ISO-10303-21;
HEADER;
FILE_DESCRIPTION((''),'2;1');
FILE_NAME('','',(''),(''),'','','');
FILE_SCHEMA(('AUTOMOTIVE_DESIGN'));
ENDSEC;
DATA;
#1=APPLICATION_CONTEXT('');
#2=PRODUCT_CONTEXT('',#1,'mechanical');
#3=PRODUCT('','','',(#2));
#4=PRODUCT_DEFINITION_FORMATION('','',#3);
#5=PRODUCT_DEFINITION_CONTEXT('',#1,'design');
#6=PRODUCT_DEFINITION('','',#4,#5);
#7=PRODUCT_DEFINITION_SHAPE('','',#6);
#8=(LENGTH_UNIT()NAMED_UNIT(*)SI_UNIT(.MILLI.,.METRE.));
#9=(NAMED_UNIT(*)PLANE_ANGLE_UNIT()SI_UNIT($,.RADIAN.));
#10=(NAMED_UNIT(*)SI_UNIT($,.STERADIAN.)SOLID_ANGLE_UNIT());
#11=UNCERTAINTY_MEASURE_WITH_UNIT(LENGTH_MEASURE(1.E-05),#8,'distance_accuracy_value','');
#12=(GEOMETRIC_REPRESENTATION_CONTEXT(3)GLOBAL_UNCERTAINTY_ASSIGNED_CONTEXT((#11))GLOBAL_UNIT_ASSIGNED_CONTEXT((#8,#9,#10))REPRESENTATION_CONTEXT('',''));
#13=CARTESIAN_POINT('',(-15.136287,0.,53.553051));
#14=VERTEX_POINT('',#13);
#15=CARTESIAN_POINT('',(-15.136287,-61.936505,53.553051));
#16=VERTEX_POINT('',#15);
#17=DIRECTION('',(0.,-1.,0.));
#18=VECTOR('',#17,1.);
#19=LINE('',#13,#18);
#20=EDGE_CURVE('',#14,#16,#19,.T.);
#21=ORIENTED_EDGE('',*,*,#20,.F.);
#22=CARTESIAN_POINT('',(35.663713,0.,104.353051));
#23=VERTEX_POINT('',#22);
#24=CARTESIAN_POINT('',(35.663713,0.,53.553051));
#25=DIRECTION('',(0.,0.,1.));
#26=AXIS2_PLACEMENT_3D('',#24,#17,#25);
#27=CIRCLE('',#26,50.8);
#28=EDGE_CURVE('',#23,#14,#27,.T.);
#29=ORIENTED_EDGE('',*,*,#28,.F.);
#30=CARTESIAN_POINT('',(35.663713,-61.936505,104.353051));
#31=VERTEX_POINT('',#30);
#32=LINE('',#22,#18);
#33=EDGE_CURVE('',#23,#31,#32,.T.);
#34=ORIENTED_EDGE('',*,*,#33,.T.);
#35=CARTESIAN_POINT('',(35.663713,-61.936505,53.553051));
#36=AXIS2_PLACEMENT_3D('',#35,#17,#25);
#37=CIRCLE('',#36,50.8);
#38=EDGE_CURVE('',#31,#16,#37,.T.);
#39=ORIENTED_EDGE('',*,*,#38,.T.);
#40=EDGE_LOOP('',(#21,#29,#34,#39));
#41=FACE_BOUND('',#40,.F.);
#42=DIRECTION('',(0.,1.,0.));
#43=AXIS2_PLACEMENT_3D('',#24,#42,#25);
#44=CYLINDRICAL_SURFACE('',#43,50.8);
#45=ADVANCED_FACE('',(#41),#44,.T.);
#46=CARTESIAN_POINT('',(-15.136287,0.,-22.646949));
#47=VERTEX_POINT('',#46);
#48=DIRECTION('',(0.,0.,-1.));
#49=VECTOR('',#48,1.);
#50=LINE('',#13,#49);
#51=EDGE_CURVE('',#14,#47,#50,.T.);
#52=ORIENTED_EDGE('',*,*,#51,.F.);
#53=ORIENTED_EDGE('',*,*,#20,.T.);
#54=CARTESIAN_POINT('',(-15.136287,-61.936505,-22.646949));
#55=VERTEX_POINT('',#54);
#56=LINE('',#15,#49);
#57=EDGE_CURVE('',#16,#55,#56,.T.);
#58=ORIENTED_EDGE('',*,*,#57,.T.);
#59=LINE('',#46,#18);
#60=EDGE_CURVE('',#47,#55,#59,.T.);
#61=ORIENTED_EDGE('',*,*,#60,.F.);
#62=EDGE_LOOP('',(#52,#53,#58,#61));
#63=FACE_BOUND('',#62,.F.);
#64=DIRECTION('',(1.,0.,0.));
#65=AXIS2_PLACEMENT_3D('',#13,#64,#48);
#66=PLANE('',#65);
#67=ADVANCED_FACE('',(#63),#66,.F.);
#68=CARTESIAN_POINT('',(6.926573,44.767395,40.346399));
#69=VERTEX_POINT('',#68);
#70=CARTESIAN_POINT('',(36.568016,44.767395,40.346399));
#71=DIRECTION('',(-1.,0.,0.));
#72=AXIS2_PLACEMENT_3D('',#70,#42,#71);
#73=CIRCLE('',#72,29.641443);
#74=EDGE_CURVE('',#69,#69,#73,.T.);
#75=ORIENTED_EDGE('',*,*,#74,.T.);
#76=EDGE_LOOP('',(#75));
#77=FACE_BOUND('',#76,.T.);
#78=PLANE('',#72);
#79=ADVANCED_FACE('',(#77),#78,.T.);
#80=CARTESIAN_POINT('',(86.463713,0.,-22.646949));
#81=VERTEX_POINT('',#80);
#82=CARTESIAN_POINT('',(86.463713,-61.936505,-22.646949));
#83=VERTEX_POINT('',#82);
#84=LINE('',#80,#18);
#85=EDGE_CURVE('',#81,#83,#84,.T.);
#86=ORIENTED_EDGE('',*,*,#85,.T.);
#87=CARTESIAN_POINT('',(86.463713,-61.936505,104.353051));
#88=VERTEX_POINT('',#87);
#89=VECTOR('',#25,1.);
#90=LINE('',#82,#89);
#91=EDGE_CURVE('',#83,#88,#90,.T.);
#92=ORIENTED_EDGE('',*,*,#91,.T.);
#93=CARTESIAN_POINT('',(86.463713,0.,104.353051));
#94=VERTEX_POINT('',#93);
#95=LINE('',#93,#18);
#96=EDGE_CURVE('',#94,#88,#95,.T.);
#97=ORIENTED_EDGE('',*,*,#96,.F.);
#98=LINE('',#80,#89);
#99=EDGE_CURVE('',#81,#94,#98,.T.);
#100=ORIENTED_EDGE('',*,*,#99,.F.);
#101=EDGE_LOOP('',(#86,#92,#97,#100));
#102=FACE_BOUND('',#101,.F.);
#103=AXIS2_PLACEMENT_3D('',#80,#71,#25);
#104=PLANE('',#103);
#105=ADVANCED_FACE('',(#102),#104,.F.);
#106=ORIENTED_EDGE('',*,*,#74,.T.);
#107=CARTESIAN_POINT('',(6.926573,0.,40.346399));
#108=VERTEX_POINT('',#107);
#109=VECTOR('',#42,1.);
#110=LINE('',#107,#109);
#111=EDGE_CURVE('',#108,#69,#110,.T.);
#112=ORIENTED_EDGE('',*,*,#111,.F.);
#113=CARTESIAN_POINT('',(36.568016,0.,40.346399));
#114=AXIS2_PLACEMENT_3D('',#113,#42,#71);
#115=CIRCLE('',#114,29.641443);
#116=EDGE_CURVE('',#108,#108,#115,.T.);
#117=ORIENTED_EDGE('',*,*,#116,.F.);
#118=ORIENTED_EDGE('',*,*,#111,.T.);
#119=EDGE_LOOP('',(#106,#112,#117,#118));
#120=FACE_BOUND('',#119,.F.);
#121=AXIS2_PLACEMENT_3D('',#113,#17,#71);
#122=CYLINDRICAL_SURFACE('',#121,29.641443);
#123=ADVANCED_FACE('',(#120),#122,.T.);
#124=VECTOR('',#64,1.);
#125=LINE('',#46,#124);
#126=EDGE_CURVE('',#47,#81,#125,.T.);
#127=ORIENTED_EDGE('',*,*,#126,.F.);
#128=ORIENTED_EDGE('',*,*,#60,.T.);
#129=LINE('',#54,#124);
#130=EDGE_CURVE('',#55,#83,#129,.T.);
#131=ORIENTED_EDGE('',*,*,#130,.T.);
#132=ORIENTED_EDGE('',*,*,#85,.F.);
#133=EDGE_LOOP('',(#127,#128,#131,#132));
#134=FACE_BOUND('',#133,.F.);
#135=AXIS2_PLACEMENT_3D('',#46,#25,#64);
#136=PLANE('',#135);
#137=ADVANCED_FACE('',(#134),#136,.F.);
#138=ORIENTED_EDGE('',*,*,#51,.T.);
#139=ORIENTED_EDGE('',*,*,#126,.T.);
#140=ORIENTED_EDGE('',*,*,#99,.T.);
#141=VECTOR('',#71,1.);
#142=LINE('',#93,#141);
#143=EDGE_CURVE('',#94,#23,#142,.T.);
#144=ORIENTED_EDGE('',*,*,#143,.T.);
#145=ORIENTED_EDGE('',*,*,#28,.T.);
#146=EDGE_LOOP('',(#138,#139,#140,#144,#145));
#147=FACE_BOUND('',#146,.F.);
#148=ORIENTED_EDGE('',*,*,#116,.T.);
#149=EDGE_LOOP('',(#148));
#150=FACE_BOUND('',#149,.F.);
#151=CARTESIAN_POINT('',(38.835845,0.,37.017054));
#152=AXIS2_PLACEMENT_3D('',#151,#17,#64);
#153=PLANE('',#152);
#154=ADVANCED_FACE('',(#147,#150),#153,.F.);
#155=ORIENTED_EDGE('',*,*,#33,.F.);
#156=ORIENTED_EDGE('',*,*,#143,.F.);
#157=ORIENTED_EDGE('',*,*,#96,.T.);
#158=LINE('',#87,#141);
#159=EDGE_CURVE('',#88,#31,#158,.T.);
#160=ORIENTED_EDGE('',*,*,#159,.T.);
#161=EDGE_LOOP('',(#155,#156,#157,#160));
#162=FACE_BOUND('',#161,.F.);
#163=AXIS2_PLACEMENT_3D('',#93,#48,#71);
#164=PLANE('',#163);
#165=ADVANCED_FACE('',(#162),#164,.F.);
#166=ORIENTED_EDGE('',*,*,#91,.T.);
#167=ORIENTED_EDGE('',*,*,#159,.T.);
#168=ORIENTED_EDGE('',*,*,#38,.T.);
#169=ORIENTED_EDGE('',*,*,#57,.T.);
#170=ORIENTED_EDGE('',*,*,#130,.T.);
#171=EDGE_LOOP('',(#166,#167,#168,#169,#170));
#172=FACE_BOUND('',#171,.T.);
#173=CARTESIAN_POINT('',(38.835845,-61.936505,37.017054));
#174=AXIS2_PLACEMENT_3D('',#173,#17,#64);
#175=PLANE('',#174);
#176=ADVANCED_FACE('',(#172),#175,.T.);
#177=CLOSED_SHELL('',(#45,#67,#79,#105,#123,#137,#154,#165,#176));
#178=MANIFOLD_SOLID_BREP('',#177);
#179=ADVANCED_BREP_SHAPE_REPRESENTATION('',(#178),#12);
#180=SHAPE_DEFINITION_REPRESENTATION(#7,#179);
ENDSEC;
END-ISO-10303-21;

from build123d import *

# Parameters (mm, degrees)
F1_DEPTH = 61.9365051389
F2_R     = 29.6414431948
F3_DEPTH = 44.7673946619


with BuildPart() as f1:
    # F0 (on Front) → F1 (new body)
    with BuildSketch(Plane.XZ):
        with BuildLine():
            Line((86.4637133837, 104.3530513048), (35.6637133837, 104.3530513048))
            ThreePointArc((35.6637133837, 104.3530513048), (-0.2573111006, 89.4740757891), (-15.1362866163, 53.5530513048))
            Line((-15.1362866163, 53.5530513048), (-15.1362866163, -22.6469486952))
            Line((-15.1362866163, -22.6469486952), (86.4637133837, -22.6469486952))
            Line((86.4637133837, -22.6469486952), (86.4637133837, 104.3530513048))
        make_face()
    extrude(amount=F1_DEPTH)

    # F2 (on face) → F3 (join)
    with BuildSketch(Plane(origin=(0, 0, 0), x_dir=(-1, 0, 0), z_dir=(0, 1, 0))):
        with Locations((-36.5680158138, 40.3463989496)):
            Circle(F2_R)
    extrude(amount=F3_DEPTH)


solid = f1.part
